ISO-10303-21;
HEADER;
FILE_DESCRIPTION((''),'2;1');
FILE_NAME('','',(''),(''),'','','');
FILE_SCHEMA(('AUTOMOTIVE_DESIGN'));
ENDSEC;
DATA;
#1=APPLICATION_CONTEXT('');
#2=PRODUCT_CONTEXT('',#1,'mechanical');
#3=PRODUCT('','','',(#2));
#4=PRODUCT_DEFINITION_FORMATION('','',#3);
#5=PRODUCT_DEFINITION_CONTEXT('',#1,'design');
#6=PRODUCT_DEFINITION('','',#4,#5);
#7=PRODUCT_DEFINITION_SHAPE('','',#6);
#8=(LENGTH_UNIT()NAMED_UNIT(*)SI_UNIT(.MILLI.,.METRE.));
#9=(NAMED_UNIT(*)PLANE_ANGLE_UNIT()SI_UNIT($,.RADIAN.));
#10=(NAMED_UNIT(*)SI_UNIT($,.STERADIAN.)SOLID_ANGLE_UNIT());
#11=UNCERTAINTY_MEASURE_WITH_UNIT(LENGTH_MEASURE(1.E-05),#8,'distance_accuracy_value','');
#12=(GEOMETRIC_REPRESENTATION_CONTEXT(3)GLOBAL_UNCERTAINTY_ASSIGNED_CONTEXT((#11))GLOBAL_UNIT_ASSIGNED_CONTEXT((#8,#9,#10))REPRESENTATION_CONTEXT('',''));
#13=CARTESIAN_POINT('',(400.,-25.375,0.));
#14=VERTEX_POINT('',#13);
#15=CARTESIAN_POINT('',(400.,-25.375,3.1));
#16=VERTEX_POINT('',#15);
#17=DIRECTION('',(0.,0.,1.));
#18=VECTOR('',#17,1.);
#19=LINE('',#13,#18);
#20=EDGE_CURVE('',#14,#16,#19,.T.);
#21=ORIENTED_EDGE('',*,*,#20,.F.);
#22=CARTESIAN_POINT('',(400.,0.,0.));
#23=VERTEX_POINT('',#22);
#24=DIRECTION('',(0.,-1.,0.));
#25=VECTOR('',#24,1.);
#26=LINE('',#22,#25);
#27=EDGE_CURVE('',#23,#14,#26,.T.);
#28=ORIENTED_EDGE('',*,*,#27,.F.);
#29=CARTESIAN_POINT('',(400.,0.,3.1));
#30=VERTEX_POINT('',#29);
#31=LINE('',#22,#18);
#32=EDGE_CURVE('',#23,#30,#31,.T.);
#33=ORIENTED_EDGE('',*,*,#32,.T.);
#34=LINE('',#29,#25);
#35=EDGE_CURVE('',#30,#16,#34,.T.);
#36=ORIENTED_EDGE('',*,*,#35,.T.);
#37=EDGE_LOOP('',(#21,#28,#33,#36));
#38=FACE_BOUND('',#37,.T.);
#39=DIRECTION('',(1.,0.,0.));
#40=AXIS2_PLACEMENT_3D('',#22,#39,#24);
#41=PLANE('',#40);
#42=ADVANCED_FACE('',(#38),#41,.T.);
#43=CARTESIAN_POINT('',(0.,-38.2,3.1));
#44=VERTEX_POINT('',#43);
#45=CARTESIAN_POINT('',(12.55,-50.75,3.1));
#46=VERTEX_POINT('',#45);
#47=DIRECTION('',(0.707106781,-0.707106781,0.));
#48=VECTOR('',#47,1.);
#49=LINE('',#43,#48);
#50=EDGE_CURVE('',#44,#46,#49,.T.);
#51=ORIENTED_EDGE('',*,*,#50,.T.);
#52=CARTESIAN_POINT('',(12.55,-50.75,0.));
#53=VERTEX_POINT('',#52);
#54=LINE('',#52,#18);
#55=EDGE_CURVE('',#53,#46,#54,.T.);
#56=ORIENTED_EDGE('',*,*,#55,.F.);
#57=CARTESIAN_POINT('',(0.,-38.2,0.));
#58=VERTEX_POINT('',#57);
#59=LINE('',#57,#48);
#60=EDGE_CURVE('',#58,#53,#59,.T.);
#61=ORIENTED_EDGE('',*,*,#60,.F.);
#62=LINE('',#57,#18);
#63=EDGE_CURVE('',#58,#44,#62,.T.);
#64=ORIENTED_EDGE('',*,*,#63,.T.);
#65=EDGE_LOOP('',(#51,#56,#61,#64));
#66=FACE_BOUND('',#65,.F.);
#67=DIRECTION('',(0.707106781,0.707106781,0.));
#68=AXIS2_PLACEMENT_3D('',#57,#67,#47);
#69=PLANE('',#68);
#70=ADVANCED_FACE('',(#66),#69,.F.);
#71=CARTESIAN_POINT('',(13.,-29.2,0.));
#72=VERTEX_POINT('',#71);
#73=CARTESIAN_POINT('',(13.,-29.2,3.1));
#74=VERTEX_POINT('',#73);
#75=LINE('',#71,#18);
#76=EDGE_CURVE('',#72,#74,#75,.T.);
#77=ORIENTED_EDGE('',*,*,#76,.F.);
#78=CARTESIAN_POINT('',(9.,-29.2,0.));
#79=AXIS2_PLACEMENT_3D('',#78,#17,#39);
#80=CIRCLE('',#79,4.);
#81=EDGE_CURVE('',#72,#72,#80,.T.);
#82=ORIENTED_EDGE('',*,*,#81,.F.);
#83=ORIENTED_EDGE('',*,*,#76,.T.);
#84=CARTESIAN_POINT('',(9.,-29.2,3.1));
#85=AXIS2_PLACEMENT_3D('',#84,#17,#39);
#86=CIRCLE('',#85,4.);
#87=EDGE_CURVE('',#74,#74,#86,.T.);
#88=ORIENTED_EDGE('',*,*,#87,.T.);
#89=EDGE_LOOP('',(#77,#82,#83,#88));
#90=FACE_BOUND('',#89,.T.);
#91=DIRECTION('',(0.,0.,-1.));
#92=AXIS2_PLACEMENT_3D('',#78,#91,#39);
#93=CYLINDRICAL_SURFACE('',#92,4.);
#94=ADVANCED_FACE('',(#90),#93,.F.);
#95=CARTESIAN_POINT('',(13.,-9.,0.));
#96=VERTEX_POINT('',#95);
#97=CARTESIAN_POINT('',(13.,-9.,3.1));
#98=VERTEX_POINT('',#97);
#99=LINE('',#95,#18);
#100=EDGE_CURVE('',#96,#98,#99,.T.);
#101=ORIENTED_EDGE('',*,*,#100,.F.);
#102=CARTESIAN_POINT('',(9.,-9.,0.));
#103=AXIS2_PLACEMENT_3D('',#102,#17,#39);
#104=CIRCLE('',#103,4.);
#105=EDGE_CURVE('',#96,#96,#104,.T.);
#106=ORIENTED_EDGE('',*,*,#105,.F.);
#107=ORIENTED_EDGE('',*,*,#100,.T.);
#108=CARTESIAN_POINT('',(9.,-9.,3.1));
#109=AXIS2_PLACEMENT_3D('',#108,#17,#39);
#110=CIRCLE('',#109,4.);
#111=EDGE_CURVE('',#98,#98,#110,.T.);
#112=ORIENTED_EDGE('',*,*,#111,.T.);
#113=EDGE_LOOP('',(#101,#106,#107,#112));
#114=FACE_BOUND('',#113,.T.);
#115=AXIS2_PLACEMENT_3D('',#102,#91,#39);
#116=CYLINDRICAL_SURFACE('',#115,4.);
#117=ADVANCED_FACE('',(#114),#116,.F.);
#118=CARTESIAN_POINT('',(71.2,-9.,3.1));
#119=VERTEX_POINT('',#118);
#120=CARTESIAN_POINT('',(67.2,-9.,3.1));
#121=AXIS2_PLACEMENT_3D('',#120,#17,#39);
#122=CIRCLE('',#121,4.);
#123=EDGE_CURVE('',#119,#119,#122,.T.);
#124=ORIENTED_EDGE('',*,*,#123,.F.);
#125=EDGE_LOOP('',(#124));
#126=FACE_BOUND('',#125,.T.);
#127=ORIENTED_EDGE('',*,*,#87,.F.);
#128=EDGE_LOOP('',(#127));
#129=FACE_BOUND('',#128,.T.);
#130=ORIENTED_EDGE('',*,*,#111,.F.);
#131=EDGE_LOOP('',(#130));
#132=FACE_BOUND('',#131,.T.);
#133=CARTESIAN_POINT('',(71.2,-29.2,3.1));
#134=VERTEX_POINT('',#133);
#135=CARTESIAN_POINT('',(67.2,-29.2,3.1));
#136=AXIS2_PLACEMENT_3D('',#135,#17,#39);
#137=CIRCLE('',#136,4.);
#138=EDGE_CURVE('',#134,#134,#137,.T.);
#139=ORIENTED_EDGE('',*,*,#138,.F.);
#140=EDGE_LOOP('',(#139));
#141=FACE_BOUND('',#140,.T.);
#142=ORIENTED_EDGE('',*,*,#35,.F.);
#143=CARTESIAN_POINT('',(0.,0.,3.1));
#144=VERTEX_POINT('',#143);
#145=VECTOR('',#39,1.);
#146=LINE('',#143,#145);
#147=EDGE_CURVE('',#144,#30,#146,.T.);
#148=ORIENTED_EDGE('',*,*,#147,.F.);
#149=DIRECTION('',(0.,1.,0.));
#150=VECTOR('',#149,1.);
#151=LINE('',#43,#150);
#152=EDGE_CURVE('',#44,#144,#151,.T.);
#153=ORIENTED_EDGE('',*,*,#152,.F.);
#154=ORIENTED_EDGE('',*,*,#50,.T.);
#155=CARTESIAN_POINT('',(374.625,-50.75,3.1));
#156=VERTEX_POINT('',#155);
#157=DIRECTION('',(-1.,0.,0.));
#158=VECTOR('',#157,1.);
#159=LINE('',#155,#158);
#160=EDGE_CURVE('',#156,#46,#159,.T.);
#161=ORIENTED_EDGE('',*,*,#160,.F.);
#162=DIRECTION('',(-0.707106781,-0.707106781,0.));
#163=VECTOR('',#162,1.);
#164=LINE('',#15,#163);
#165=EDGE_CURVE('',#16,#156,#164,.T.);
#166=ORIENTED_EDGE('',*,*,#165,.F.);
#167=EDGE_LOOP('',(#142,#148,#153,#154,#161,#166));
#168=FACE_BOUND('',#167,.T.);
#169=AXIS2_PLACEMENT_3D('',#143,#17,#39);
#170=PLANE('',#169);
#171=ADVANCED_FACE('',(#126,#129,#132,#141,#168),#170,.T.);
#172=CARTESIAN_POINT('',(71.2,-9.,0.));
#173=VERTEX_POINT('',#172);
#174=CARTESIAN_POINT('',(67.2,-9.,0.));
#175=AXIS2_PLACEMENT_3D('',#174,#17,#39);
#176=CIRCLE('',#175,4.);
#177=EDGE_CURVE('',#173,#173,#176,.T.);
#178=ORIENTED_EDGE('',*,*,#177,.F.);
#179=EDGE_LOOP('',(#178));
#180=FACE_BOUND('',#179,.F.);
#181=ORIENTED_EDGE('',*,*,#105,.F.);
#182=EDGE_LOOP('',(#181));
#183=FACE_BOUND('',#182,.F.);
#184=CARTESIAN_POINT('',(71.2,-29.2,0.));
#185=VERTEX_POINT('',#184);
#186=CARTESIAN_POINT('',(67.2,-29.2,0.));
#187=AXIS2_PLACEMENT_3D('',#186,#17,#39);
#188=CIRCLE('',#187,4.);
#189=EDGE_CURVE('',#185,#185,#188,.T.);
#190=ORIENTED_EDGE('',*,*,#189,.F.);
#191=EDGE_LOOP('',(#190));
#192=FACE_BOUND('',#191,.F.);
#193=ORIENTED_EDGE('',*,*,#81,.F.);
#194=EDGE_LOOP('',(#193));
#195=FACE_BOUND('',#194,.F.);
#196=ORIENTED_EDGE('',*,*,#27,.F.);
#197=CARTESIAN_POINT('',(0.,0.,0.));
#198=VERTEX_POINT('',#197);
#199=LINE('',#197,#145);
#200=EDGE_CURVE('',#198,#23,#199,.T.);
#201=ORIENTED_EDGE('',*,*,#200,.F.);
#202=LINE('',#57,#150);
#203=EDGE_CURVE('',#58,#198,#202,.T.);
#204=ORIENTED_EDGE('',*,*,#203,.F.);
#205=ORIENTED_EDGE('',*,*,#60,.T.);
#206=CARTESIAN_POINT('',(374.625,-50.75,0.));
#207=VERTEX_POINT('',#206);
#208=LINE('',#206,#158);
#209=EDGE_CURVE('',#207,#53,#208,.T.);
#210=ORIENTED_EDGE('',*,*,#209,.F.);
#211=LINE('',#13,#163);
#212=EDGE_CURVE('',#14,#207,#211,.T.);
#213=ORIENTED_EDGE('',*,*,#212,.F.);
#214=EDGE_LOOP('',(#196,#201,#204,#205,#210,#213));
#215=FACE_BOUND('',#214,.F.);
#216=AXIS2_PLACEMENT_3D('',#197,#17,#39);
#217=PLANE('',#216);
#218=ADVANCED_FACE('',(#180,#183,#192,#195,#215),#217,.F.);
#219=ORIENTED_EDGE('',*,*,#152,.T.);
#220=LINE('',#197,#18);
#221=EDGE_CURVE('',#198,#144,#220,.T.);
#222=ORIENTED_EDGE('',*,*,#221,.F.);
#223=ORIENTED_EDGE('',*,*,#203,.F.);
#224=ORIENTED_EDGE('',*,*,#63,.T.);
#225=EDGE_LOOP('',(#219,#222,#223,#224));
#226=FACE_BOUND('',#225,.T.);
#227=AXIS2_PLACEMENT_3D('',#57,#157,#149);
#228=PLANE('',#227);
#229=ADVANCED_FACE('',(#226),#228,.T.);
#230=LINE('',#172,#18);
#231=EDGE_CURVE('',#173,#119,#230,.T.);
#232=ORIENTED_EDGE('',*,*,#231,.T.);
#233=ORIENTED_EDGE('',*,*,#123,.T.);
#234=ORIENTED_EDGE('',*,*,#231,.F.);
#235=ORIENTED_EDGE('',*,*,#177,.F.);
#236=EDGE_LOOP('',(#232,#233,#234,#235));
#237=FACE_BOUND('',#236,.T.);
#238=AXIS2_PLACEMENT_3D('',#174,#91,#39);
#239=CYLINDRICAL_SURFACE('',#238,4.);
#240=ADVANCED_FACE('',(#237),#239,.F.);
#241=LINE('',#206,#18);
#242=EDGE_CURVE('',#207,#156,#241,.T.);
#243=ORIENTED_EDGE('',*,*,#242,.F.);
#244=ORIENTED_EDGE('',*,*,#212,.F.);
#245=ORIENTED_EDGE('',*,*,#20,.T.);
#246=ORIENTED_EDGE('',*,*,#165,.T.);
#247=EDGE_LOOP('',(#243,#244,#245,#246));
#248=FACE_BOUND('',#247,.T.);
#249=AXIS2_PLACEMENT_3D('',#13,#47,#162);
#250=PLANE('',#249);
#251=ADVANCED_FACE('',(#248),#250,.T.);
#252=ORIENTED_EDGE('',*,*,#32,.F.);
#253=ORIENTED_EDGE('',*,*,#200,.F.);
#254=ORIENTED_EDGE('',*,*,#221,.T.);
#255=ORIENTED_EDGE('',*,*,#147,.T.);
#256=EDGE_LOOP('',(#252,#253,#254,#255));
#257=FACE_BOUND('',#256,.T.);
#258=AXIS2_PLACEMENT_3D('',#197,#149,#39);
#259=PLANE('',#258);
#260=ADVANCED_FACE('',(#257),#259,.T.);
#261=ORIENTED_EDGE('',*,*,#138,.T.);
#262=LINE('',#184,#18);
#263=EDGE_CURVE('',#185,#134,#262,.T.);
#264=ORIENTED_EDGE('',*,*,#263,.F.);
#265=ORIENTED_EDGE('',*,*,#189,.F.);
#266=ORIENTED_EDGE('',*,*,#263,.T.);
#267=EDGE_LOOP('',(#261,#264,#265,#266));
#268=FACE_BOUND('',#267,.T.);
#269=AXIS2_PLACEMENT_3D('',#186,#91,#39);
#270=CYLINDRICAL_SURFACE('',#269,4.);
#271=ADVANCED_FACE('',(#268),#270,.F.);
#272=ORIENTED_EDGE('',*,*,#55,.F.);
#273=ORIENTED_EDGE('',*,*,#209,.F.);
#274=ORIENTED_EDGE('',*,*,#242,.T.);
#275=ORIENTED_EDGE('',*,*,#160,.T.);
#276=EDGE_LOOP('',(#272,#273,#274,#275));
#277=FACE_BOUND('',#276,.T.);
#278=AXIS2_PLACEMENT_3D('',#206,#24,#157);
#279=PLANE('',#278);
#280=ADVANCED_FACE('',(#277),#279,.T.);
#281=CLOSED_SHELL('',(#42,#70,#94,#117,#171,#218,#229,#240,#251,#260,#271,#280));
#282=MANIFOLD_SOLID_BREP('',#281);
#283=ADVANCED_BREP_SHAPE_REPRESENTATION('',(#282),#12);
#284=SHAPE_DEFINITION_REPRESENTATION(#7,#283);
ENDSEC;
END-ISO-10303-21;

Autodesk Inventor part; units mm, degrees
ref_plane "YZ Plane" through (0, 0, 0) normal (1, 0, 0) x (0, 1, 0)
ref_plane "XZ Plane" through (0, 0, 0) normal (0, 1, 0) x (-1, 0, 0)
ref_plane "XY Plane" through (0, 0, 0) normal (0, 0, 1) x (1, 0, 0)
sketch "Sketch1" plane through (0, 0, 0) normal (0, 0, 1) x (1, 0, 0)
  line L0 (0, 0) -> (400, 0)
  line L1 (400, 0) -> (400, -25.375)
  line L2 (0, -38.2) -> (12.55, -50.75)
  line L3 (400, -25.375) -> (374.625, -50.75)
  line L4 (0, -38.2) -> (0, 0)
  line L5 (374.625, -50.75) -> (12.55, -50.75)
  circle A0 centre (9, -9) radius 4
  circle A1 centre (9, -29.2) radius 4
  circle A2 centre (67.2, -9) radius 4
  circle A3 centre (67.2, -29.2) radius 4
  dimension "d3" = 8
  dimension "d4" = 8
  dimension "d5" = 8
  dimension "d6" = 8
  dimension "d10" = 9
  dimension "d11" = 9
  dimension "d12" = 9
  dimension "d13" = 9
  dimension "d15" = 20.2
  dimension "d16" = 58.2
  dimension "d18" = 12.55
  dimension "d19" = 400
  dimension "d20" = 50.75
  dimension "d21" = 25.375
  dimension "d22" = 20.2
  dimension "d23" = 58.2
  dimension "d24" = 12.55
  dimension "d25" = 25.375
extrude "Extrusion1" add sketch "Sketch1" along normal blind 3.1
properties part number "SideBracket"
